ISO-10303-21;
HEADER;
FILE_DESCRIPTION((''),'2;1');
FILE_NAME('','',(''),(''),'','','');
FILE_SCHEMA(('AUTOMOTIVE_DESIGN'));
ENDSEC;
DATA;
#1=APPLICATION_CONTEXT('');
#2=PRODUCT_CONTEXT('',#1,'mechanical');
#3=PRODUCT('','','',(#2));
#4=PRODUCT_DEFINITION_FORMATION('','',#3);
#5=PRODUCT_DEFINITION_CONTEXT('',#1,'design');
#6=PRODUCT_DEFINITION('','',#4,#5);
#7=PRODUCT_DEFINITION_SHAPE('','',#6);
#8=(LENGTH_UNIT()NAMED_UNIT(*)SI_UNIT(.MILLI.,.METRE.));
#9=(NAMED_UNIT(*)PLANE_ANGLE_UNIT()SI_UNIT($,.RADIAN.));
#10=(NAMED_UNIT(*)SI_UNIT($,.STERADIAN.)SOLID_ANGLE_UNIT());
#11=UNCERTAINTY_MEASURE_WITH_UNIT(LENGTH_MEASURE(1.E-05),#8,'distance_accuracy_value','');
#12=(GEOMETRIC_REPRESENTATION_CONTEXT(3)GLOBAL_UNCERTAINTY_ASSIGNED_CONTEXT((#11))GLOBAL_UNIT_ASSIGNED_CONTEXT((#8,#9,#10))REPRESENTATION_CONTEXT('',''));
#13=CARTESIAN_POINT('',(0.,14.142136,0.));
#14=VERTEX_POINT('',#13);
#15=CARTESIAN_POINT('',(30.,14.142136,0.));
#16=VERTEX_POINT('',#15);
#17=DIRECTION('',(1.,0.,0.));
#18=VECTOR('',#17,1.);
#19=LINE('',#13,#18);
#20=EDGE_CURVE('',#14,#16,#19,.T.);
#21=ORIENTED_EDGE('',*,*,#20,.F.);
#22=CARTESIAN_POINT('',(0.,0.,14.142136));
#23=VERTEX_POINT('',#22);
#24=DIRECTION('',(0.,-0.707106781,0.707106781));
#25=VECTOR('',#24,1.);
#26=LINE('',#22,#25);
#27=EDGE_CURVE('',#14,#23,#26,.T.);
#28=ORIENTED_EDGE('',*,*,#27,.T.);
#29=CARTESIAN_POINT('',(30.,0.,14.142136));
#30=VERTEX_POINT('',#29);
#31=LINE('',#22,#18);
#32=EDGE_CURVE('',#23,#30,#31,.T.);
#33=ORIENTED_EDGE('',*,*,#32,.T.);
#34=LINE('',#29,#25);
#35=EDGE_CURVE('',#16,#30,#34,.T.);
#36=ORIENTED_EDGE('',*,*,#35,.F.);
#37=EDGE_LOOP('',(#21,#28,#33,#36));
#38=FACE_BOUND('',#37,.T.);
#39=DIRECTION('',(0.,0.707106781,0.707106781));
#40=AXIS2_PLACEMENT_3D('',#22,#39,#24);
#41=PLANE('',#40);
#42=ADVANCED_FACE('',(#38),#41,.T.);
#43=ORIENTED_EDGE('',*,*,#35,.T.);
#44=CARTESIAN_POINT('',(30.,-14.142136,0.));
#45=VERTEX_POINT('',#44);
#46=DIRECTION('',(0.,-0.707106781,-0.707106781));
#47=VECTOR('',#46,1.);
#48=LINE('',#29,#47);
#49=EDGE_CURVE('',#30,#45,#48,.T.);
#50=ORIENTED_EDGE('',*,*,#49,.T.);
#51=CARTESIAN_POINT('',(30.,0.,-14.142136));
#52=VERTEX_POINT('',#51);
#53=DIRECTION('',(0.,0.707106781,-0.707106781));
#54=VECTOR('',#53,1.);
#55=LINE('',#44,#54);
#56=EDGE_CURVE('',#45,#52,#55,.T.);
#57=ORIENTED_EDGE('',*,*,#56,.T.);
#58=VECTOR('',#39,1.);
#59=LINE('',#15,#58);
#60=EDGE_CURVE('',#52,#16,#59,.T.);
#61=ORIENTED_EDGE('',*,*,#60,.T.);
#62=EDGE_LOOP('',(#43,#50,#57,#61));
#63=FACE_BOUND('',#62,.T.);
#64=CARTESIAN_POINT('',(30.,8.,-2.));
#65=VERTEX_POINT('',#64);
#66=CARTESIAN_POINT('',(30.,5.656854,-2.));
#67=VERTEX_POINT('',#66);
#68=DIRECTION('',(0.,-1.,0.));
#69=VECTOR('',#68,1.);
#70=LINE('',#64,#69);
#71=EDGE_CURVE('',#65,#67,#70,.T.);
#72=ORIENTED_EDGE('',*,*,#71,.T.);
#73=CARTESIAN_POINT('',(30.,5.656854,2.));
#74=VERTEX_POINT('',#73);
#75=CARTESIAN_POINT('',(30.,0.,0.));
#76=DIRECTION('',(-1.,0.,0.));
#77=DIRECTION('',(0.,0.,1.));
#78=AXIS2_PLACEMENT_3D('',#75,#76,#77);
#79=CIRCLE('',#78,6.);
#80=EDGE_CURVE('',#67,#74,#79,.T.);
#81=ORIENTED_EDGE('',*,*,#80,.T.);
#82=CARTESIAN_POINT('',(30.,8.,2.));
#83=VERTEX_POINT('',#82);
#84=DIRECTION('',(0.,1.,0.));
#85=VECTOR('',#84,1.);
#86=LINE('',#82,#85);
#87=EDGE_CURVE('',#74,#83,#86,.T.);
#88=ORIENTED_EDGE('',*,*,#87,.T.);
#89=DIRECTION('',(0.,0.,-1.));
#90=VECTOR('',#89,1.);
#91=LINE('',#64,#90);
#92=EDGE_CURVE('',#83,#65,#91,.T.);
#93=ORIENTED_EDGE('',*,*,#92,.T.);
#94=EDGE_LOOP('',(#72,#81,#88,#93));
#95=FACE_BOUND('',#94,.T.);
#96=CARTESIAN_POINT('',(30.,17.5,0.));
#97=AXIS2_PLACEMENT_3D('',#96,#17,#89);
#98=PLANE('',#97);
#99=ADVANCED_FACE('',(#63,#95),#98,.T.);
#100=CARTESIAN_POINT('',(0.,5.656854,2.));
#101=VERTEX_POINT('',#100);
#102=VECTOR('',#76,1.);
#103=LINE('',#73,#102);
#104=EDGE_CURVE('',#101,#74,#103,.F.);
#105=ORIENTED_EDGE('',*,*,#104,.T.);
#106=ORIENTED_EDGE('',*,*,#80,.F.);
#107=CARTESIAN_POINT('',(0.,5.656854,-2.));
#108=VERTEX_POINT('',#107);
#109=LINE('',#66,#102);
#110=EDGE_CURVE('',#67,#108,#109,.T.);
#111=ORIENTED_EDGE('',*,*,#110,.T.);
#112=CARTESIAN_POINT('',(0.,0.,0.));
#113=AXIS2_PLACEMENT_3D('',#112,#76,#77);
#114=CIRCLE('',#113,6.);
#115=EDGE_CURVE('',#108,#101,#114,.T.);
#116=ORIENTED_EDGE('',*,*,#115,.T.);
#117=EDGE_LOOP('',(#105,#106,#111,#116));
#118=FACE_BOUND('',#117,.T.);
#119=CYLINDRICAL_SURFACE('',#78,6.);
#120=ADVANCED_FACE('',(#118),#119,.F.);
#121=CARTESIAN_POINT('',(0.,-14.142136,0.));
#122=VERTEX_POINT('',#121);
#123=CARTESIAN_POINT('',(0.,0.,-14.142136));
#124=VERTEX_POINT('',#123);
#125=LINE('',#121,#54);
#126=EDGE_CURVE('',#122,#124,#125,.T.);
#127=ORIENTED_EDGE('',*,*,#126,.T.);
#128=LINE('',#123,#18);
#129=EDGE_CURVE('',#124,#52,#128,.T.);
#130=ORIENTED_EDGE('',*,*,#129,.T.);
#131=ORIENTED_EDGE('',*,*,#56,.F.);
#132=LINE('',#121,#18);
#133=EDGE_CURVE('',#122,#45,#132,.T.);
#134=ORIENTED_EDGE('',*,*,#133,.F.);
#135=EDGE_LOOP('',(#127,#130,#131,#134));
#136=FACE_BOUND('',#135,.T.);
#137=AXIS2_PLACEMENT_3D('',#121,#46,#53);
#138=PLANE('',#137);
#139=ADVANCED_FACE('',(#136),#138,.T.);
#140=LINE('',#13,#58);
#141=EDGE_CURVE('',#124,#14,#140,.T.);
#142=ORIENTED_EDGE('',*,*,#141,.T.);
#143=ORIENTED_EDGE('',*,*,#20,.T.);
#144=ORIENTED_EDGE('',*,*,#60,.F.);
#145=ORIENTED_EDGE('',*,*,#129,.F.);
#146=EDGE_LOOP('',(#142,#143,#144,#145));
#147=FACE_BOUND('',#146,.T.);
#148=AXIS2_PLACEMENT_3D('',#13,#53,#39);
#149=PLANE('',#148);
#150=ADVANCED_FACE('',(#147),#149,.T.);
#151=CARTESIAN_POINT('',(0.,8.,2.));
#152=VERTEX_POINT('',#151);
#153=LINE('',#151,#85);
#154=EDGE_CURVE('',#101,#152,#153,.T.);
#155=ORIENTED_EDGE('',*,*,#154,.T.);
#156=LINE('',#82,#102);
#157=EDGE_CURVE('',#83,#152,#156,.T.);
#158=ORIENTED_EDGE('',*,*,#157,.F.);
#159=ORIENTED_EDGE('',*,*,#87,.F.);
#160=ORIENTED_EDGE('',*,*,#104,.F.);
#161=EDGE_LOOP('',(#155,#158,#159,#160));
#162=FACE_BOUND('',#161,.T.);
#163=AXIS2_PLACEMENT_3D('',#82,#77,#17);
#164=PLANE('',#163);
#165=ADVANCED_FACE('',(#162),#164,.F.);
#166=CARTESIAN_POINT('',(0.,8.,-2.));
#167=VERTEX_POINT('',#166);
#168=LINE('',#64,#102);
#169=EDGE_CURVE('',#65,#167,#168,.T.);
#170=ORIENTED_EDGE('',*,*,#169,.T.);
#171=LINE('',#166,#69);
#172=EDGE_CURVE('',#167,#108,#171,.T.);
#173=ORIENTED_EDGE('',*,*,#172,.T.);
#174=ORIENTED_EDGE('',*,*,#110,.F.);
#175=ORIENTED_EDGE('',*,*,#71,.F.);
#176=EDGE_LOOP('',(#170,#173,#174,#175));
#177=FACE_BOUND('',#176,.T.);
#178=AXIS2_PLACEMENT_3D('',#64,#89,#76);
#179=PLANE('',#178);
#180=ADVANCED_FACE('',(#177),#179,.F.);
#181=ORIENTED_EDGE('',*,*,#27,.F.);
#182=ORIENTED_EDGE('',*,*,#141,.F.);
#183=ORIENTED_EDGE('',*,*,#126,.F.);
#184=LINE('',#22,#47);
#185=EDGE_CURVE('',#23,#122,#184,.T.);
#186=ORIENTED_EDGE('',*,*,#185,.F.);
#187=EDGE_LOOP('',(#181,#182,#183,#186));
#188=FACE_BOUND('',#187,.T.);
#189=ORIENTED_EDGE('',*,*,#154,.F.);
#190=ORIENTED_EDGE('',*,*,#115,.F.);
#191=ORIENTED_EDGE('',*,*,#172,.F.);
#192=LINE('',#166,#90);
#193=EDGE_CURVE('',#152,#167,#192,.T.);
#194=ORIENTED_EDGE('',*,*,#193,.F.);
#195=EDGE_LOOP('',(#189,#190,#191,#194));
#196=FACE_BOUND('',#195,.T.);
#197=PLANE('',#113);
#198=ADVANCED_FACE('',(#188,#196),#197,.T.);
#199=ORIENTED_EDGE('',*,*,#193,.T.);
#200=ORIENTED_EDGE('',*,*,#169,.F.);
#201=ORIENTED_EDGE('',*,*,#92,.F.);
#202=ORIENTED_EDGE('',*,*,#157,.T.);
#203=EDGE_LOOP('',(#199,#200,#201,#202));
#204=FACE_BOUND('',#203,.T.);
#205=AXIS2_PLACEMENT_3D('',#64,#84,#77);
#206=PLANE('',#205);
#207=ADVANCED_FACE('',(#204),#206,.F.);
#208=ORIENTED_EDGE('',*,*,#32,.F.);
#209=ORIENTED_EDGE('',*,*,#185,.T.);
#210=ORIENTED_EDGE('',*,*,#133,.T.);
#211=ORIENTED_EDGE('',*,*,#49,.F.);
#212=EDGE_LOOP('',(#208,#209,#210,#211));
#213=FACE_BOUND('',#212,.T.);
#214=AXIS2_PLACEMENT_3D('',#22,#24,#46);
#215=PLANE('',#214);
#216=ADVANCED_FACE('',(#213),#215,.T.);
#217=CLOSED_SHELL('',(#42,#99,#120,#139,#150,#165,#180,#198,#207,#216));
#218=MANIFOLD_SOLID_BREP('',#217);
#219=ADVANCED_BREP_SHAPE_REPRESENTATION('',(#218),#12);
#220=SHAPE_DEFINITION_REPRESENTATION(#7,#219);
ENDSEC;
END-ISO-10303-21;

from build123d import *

# Parameters (mm, degrees)
SKETCH1_W          = 30
SKETCH1_H          = 17.5
SKETCH5_R          = 6
CUT_EXTRUDE3_DEPTH = 39.890872965
SKETCH6_W          = 4
SKETCH6_H          = 4
CUT_EXTRUDE5_DEPTH = 39.890872965
SKETCH7_OUTSIDE_W  = 48.576
SKETCH7_OUTSIDE_H  = 48.576
CUT_EXTRUDE6_DEPTH = 39.890872965


with BuildPart() as part:
    # Sketch1 → Revolve1 (revolve)
    with BuildSketch(Plane.XY, mode=Mode.PRIVATE) as revolve1_sk:
        with Locations((15, 8.75)):
            Rectangle(SKETCH1_W, SKETCH1_H)
    revolve(revolve1_sk.sketch.rotate(Axis((0, 0, 0), (-1, 0, 0)), 90), axis=Axis((0, 0, 0), (-1, 0, 0)))

    # Sketch5 → Cut-Extrude3 (cut, through all)
    with BuildSketch(Plane.ZY):
        Circle(SKETCH5_R)
    extrude(amount=-CUT_EXTRUDE3_DEPTH, mode=Mode.SUBTRACT)

    # Sketch6 → Cut-Extrude5 (cut, through all)
    with BuildSketch(Plane.ZY):
        with Locations((0, 6)):
            Rectangle(SKETCH6_W, SKETCH6_H)
    extrude(amount=-CUT_EXTRUDE5_DEPTH, mode=Mode.SUBTRACT)

    # Sketch7 outside → Cut-Extrude6 (cut, through all)
    with BuildSketch(Plane(origin=(30, 0, 0), x_dir=(0, 0, -1), z_dir=(1, 0, 0))):
        Rectangle(SKETCH7_OUTSIDE_W, SKETCH7_OUTSIDE_H)
        Polygon((-14.142135624, 0), (0, -14.142135624), (14.142135624, 0), (0, 14.142135624), align=None, mode=Mode.SUBTRACT)
    extrude(amount=-CUT_EXTRUDE6_DEPTH, mode=Mode.SUBTRACT)


solid = part.part
